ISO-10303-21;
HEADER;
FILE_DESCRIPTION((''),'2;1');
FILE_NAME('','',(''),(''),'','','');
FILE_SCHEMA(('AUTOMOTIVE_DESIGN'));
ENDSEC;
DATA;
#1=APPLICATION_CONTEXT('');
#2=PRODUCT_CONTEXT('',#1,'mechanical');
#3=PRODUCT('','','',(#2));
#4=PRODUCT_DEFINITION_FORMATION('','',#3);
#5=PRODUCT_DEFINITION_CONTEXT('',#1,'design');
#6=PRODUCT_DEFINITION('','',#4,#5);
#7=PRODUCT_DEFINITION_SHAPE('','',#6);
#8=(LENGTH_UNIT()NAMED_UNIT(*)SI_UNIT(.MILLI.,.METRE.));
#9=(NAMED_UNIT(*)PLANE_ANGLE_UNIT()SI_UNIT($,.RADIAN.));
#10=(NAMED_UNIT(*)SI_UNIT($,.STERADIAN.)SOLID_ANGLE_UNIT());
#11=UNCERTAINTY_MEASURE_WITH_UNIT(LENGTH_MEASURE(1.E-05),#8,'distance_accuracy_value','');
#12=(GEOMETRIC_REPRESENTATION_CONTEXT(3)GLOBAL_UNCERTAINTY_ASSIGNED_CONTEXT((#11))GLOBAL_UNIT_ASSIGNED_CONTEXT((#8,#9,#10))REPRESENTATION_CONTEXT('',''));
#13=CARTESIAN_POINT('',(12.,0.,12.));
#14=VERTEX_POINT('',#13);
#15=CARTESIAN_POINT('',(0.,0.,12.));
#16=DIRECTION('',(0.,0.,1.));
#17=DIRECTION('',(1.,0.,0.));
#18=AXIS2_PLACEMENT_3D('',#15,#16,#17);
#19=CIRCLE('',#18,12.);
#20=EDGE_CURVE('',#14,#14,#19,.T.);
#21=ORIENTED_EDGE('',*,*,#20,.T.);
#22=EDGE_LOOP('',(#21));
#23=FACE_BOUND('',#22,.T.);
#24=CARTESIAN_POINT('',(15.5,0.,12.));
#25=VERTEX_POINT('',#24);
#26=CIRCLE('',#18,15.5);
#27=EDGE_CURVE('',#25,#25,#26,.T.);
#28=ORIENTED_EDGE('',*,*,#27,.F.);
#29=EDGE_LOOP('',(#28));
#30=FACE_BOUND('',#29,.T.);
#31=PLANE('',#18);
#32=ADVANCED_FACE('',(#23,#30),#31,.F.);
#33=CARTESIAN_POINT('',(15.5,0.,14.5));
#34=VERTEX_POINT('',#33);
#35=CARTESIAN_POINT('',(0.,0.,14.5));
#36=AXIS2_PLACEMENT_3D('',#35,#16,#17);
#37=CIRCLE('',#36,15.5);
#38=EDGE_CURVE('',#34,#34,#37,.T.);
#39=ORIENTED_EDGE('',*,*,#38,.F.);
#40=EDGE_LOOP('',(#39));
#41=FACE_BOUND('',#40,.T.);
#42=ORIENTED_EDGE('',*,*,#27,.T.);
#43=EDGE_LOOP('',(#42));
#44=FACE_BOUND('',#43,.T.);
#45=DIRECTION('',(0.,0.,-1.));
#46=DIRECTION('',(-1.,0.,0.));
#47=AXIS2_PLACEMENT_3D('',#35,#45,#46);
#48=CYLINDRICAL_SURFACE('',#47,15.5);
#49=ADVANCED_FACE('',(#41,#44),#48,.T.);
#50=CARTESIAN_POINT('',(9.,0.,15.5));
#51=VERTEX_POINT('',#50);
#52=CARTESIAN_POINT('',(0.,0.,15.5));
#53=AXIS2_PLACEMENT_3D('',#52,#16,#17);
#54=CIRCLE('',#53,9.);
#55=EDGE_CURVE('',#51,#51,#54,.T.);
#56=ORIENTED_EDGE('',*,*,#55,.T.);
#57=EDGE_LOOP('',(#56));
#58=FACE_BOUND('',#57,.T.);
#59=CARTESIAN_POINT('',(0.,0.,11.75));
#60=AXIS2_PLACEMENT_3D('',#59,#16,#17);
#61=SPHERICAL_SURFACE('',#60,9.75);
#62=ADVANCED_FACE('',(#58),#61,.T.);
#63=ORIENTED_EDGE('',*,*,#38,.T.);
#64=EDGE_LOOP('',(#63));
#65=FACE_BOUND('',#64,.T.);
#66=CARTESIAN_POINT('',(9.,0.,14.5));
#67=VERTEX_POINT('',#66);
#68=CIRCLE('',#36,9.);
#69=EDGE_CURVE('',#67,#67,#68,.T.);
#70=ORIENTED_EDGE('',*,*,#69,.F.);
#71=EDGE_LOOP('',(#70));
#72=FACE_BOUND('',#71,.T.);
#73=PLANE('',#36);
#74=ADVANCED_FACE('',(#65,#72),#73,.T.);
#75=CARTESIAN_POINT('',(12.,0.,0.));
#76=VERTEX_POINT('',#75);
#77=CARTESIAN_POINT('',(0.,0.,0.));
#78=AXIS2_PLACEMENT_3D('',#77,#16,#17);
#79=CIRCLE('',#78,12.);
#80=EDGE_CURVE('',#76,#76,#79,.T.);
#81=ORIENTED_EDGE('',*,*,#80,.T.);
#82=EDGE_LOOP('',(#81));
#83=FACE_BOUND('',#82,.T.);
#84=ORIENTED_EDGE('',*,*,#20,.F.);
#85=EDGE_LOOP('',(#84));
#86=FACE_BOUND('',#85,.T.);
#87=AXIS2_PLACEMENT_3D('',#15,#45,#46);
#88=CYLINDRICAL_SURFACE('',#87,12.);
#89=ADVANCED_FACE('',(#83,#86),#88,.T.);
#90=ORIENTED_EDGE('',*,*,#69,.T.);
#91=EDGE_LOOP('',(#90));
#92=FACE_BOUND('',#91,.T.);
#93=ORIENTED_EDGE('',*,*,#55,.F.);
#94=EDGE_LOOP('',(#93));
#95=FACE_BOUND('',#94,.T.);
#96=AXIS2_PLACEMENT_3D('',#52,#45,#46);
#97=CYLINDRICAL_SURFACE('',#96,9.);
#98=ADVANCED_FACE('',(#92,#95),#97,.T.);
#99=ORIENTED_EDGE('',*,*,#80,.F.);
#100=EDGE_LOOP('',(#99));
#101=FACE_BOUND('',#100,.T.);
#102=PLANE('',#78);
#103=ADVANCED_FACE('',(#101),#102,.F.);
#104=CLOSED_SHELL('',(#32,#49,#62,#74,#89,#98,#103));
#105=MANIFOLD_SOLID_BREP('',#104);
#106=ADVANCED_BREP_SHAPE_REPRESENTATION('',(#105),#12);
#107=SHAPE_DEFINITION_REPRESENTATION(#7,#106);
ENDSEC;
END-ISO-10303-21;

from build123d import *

# Parameters (mm, degrees)
ESQUISSE1_R       = 12
EXTRUSION1_DEPTH  = 12
ESQUISSE2_R       = 15.5
EXTRUSION2_DEPTH  = 2.5
ESQUISSE3_R       = 9
EXTRUSION3_DEPTH  = 1
D_ME1_FACE_RADIUS = 9
D_ME1_HEIGHT      = 6


with BuildPart() as part:
    # Esquisse1 → Extrusion1 (new body)
    with BuildSketch(Plane.XY):
        Circle(ESQUISSE1_R)
    extrude(amount=EXTRUSION1_DEPTH)

    # Esquisse2 → Extrusion2 (add)
    with BuildSketch(Plane.XY.offset(12)):
        Circle(ESQUISSE2_R)
    extrude(amount=EXTRUSION2_DEPTH)

    # Esquisse3 → Extrusion3 (add)
    with BuildSketch(Plane.XY.offset(14.5)):
        Circle(ESQUISSE3_R)
    extrude(amount=EXTRUSION3_DEPTH)

    # Dôme1: a dome of height H over a round flat face of radius A is a cap of a sphere of radius (A * A + H * H) / (2 * H)
    d_me1_r = (D_ME1_FACE_RADIUS * D_ME1_FACE_RADIUS + D_ME1_HEIGHT * D_ME1_HEIGHT) / (2 * D_ME1_HEIGHT)
    d_me1_base = Plane((0, 0, 15.5), z_dir=(0, 0, 1))
    with Locations(d_me1_base.offset(D_ME1_HEIGHT - d_me1_r)):
        d_me1_ball = Sphere(d_me1_r, mode=Mode.PRIVATE)
    add(split(d_me1_ball, bisect_by=d_me1_base, keep=Keep.TOP, mode=Mode.PRIVATE))


solid = part.part
